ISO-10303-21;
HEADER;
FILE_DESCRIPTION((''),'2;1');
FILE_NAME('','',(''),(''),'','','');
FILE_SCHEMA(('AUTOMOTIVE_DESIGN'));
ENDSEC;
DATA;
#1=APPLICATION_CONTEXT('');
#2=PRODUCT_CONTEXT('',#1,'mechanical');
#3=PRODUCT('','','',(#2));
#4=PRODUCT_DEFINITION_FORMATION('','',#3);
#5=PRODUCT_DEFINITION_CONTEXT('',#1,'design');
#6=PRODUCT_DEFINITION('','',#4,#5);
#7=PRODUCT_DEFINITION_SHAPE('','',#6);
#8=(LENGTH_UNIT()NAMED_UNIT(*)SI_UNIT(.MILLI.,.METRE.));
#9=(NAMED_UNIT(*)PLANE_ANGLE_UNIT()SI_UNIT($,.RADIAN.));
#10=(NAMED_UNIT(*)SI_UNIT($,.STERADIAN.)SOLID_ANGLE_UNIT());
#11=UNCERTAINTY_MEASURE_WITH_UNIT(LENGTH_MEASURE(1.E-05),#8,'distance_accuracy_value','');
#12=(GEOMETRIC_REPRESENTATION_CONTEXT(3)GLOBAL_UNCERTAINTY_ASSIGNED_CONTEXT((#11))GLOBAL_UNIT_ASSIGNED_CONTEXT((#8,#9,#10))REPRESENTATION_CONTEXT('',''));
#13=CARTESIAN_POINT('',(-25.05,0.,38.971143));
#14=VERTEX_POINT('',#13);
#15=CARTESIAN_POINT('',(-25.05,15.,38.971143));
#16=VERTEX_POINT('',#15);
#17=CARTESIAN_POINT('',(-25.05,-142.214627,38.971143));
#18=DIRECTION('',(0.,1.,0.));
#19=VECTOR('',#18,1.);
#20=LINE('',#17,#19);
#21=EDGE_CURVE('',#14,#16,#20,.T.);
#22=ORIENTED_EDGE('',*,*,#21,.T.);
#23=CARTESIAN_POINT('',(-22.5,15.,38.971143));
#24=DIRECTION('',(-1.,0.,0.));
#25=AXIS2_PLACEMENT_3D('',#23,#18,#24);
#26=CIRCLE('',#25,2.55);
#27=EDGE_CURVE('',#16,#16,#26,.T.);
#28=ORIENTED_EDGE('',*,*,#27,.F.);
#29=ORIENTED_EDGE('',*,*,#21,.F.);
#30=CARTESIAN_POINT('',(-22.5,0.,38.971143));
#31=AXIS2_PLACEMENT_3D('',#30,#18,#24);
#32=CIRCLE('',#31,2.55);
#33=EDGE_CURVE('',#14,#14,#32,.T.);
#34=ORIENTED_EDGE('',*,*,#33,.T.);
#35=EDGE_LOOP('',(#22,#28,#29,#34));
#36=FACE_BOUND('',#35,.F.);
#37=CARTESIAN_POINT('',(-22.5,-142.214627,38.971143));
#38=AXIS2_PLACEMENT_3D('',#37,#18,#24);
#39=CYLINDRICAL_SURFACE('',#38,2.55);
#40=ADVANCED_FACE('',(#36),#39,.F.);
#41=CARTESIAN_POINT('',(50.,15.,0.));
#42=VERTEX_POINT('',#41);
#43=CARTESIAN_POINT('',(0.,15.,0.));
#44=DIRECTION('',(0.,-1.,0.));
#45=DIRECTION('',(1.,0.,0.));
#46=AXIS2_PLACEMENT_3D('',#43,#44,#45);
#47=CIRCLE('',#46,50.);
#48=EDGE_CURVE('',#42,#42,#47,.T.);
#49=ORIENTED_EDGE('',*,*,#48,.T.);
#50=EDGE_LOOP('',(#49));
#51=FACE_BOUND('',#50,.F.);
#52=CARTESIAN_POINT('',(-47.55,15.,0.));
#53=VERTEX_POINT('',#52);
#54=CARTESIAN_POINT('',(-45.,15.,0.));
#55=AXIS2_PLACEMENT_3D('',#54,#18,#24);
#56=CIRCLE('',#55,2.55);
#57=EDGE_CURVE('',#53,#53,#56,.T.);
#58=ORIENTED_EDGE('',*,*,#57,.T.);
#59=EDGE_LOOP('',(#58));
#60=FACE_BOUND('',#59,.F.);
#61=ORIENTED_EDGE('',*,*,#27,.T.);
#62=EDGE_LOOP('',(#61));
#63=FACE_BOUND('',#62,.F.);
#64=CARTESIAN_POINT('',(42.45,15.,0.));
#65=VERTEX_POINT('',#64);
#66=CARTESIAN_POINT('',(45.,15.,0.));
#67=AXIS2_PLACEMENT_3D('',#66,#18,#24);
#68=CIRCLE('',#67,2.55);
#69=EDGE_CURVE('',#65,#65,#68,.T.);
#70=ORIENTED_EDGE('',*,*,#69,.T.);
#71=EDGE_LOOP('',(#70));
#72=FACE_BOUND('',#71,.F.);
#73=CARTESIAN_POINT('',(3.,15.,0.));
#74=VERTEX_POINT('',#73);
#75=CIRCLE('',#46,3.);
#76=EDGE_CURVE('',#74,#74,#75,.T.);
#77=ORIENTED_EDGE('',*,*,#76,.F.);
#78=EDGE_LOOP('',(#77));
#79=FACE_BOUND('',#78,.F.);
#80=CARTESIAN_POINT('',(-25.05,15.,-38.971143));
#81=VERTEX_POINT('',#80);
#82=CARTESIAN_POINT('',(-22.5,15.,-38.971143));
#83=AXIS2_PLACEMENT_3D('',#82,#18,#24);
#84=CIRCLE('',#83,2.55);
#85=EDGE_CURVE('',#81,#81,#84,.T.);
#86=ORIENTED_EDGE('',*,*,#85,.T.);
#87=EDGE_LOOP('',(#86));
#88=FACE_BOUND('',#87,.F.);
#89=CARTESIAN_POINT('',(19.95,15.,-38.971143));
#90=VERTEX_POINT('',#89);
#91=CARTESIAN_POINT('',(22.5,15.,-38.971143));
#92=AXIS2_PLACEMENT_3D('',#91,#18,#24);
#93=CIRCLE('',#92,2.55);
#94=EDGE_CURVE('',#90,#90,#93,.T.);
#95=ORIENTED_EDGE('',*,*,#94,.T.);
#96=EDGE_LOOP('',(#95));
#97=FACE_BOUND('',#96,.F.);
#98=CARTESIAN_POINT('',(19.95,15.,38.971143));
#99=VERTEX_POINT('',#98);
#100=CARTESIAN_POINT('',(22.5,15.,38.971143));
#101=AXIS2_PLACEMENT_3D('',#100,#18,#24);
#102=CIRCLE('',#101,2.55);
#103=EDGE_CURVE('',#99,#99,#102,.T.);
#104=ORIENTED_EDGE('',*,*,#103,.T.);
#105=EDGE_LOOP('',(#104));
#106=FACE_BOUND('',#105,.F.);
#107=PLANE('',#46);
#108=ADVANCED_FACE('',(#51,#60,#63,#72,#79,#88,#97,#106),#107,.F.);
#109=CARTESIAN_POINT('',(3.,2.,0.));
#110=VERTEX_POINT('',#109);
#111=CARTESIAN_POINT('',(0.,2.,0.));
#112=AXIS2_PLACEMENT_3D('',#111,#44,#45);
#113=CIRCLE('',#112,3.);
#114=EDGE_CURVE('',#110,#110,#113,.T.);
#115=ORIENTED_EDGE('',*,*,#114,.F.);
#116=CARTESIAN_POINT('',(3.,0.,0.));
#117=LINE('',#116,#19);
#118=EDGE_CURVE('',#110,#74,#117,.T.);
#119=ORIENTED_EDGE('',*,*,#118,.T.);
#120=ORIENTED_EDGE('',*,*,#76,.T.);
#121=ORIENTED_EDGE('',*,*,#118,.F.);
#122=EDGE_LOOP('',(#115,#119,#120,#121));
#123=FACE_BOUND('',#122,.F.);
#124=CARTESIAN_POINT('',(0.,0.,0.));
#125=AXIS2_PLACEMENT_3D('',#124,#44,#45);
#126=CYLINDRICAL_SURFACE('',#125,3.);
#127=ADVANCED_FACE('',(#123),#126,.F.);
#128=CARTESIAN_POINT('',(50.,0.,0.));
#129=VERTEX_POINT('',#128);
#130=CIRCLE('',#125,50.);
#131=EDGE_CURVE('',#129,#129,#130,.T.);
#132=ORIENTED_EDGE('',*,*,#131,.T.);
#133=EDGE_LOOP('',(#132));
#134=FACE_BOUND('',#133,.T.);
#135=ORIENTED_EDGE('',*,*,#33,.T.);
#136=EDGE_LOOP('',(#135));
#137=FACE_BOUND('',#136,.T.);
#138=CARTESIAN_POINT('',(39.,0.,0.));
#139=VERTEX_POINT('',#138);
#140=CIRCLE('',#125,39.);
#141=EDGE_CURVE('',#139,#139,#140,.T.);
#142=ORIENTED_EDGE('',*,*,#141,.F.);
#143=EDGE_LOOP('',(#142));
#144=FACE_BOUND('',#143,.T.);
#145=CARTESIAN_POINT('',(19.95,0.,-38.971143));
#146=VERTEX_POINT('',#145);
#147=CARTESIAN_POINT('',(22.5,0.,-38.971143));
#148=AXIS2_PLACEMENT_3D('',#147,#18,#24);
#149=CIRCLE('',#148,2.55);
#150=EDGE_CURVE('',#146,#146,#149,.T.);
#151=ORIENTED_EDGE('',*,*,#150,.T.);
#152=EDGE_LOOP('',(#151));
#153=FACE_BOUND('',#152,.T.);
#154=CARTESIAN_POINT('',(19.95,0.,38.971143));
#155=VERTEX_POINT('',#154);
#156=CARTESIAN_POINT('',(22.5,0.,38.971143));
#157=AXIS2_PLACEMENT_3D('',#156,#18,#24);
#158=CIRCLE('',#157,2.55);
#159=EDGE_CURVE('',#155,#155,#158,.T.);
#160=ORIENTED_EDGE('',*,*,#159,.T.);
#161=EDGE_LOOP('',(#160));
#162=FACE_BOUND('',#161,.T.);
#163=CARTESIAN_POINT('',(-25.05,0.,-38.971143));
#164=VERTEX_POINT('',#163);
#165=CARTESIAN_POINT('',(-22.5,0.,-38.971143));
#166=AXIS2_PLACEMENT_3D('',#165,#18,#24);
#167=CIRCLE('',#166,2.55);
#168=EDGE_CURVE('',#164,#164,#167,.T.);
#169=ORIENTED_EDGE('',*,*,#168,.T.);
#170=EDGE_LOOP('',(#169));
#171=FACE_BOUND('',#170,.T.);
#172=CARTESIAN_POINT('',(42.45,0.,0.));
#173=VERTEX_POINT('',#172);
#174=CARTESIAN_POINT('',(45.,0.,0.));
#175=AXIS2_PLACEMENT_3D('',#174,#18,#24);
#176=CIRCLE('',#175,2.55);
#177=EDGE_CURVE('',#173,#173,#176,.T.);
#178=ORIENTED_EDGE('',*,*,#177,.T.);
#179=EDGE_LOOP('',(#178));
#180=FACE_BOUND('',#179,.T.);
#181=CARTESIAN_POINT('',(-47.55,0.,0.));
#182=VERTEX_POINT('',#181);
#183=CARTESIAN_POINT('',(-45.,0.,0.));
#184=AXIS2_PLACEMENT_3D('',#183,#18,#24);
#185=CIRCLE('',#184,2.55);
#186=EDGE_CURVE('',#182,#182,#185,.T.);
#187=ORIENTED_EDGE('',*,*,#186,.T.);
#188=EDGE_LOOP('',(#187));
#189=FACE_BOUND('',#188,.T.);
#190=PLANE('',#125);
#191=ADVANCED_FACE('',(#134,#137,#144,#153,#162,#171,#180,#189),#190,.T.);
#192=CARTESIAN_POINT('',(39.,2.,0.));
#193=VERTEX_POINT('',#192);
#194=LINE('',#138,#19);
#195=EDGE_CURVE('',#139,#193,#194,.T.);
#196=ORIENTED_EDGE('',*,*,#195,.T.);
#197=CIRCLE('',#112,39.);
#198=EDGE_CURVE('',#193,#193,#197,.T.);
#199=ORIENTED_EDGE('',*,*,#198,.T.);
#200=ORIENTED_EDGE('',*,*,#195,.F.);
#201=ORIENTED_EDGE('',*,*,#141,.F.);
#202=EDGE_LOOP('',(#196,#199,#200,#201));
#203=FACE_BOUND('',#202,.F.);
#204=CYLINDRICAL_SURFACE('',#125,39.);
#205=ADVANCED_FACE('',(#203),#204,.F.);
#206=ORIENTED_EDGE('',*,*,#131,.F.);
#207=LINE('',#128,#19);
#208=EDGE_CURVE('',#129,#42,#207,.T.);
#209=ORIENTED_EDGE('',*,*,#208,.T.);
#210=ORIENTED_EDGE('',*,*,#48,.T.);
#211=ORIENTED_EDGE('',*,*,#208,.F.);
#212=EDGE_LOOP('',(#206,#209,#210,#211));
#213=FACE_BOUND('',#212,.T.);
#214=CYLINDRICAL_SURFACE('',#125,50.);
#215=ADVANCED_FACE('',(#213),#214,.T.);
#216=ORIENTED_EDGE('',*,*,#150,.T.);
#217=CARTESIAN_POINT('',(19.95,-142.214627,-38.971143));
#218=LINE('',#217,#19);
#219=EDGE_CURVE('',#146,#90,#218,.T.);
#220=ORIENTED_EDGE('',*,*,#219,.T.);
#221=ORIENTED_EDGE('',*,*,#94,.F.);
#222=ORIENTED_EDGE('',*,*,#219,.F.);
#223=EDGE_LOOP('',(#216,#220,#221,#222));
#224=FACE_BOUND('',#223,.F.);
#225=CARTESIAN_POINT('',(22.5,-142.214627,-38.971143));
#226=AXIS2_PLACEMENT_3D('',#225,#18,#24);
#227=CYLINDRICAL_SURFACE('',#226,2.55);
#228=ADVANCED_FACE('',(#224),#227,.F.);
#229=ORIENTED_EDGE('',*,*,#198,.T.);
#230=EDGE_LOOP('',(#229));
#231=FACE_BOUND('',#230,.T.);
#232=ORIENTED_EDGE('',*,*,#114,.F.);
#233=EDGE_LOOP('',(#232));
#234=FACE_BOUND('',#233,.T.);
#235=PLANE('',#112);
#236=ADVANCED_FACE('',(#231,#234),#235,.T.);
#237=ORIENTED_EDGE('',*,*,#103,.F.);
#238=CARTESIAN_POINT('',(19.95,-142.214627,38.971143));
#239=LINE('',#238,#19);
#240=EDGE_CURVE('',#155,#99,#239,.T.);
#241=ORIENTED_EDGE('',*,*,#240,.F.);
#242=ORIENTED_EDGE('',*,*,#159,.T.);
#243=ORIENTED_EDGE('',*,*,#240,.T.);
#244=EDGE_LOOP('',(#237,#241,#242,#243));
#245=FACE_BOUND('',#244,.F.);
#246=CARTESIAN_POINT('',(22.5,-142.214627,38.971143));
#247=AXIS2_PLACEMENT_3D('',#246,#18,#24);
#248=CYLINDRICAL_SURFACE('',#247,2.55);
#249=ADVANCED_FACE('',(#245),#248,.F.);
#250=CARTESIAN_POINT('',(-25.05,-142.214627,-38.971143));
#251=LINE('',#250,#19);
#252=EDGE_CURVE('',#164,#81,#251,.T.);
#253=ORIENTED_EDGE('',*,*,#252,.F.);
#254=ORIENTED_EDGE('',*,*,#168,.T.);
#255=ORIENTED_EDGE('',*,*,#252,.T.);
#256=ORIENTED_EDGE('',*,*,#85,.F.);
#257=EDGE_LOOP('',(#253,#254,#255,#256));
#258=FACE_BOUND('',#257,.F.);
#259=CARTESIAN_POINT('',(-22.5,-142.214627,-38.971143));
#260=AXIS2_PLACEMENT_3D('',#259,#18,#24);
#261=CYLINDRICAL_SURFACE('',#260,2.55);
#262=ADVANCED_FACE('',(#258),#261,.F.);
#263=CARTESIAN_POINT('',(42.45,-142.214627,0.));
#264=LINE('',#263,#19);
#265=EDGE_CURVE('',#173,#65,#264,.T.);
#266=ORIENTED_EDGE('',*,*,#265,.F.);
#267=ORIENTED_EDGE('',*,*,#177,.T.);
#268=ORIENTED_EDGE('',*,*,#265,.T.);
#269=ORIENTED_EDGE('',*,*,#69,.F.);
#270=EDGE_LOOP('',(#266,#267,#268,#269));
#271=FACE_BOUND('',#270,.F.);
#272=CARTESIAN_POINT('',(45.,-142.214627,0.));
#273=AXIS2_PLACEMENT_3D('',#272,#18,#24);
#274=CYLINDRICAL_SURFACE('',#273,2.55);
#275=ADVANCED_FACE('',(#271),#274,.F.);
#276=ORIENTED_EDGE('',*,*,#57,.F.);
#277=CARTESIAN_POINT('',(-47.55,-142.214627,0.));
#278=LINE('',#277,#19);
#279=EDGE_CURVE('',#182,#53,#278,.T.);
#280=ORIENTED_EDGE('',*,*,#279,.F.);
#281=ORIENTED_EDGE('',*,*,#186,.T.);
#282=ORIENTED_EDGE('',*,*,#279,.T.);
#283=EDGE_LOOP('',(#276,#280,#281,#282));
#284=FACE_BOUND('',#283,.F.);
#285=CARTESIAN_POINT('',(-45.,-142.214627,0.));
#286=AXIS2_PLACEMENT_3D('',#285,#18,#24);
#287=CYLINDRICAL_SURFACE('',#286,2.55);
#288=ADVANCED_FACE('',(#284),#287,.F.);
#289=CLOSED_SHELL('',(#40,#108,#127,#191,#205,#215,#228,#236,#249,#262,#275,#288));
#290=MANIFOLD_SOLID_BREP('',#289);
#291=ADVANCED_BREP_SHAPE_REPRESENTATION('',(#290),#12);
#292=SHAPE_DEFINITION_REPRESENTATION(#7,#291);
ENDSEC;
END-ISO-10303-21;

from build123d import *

# Parameters (mm, degrees)
F0_R     = 50
F0_R_2   = 3
F1_DEPTH = 15
F3_D     = 5.1
F4_R     = 39
F5_DEPTH = 2


with BuildPart() as f1:
    # F0 (on Front) → F1 (new body)
    with BuildSketch(Plane.XZ):
        Circle(F0_R)
        Circle(F0_R_2, mode=Mode.SUBTRACT)
    extrude(amount=-F1_DEPTH)

    # F3 (through all)
    with Locations(Plane.XZ):
        with Locations((-22.5, 38.971143), (22.5, 38.971143), (45, 0), (22.5, -38.971143), (-22.5, -38.971143), (-45, 0)):
            Hole(F3_D / 2)

    # F4 (on Front) → F5 (cut)
    with BuildSketch(Plane.XZ):
        Circle(F4_R)
    extrude(amount=-F5_DEPTH, mode=Mode.SUBTRACT)


solid = f1.part
